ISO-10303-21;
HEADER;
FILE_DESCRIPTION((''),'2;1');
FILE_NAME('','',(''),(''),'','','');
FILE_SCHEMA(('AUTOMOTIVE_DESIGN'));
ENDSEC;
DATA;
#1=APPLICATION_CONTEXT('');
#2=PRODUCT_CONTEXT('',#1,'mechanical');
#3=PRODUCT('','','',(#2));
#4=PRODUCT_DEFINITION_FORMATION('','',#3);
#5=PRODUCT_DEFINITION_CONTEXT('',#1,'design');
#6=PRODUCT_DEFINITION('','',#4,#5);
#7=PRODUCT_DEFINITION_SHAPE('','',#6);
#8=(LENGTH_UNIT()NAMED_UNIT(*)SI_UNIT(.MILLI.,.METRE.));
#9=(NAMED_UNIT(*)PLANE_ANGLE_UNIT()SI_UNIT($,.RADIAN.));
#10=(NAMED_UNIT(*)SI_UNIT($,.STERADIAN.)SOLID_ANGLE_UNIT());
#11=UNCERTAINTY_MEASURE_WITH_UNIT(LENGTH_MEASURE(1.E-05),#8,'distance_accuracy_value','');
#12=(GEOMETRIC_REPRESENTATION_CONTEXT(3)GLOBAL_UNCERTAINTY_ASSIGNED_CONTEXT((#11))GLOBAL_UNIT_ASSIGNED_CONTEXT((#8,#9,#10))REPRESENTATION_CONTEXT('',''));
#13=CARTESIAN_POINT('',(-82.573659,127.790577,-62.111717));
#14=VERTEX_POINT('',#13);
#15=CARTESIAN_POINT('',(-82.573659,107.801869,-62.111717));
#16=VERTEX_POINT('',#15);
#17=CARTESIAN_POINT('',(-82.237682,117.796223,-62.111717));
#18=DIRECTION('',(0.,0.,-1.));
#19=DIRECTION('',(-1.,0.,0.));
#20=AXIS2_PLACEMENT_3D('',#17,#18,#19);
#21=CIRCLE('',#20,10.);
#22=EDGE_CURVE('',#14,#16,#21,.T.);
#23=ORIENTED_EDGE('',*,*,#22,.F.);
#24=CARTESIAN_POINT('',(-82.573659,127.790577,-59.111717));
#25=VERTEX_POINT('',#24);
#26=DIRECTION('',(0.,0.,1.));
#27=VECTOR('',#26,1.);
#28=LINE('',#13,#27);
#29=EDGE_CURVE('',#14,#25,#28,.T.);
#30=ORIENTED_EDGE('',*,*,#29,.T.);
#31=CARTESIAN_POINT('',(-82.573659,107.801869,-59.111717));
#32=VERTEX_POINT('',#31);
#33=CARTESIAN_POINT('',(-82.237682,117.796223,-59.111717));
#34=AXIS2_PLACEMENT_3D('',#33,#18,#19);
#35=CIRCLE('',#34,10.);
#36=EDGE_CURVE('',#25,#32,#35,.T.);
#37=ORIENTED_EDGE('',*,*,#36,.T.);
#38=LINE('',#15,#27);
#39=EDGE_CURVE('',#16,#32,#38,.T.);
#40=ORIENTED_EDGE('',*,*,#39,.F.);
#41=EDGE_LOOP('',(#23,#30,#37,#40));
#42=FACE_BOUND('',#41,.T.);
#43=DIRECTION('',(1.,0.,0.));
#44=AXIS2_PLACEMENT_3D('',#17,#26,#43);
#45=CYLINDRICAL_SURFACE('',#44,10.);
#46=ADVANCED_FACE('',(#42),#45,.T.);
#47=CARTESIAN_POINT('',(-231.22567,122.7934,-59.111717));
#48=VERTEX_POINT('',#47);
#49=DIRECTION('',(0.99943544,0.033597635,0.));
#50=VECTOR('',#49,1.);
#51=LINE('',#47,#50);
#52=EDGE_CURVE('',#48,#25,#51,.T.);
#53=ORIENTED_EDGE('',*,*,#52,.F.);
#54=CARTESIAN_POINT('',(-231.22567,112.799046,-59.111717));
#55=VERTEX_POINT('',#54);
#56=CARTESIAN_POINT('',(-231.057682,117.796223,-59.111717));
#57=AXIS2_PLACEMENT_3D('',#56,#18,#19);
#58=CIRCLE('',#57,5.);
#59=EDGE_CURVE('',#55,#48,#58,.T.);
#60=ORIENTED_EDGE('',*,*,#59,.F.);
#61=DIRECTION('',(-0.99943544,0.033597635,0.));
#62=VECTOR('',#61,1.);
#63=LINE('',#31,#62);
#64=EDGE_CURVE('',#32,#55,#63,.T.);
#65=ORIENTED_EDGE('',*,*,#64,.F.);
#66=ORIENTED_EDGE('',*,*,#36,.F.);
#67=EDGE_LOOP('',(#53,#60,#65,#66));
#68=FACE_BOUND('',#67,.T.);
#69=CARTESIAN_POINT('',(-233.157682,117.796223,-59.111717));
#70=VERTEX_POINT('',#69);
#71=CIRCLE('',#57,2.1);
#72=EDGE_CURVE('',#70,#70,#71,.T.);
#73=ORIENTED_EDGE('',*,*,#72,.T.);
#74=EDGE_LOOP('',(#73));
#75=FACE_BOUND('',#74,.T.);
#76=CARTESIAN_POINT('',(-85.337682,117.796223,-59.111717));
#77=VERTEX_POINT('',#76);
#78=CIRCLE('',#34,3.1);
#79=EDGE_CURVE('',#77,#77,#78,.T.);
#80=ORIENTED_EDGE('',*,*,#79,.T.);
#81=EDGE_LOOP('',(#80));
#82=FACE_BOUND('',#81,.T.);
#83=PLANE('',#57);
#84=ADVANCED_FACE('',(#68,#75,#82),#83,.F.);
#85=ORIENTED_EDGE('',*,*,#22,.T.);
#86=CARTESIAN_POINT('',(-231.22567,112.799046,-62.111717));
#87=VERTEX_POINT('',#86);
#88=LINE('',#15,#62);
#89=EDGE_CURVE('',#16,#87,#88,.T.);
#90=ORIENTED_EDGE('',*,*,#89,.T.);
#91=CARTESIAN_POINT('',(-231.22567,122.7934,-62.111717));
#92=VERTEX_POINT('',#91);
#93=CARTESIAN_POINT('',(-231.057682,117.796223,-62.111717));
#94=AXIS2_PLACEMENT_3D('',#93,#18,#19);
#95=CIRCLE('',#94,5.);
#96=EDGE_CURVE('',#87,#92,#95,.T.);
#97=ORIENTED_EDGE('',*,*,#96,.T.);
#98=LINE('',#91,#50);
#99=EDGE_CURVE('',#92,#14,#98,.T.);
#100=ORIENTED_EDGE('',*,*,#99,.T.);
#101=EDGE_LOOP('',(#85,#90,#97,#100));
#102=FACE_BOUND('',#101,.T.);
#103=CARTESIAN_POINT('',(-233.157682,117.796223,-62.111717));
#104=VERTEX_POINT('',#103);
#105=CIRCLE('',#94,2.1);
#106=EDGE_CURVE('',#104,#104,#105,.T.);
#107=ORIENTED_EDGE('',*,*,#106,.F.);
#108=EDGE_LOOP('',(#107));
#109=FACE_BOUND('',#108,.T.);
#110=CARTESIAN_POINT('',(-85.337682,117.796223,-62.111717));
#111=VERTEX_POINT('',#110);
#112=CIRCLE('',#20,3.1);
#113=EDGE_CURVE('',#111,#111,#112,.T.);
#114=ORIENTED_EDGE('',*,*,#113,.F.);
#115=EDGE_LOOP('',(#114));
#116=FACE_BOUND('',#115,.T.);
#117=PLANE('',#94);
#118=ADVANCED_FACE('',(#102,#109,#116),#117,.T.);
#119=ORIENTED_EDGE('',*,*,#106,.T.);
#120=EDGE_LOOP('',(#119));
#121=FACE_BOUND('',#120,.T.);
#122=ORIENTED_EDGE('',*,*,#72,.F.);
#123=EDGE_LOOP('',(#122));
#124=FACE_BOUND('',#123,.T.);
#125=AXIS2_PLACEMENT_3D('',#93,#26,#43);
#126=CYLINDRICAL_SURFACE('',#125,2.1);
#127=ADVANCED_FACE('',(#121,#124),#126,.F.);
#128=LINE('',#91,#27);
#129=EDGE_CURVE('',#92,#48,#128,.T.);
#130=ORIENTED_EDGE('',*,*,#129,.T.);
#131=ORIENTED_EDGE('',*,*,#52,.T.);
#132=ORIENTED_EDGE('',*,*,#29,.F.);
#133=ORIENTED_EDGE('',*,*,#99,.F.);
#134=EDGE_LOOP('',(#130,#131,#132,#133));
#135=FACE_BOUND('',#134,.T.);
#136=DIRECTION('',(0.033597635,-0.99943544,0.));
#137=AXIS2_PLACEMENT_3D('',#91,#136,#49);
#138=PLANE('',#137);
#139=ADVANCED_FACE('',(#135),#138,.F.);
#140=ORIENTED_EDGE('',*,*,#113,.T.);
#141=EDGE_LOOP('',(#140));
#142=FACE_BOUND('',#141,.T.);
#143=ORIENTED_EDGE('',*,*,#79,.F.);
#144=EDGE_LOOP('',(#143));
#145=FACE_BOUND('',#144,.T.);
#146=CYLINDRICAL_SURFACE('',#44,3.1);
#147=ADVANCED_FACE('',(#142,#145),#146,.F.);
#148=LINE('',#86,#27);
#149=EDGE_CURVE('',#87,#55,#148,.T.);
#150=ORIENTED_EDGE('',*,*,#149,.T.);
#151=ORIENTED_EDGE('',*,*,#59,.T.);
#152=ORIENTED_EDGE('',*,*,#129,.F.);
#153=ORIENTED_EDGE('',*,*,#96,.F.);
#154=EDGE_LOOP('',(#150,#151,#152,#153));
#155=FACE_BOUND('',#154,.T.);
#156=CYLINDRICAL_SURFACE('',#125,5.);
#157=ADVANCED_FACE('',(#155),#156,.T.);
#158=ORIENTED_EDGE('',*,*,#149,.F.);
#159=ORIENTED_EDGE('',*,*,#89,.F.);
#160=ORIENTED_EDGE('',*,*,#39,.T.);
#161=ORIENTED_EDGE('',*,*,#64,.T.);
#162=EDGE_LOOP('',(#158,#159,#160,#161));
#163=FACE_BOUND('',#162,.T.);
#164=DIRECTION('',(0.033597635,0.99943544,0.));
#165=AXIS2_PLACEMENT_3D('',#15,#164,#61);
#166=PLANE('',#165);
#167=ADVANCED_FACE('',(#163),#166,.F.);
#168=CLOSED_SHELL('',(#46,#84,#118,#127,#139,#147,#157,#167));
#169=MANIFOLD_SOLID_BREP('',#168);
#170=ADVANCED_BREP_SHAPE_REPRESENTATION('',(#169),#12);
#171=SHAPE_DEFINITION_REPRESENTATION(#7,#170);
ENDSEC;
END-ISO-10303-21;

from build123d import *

# Parameters (mm, degrees)
SKETCH_1_R      = 3.1
SKETCH_1_R_2    = 2.1
EXTRUDE_1_DEPTH = 3


with BuildPart() as part:
    # 草图1 → 凸台-拉伸1 (new body)
    with BuildSketch(Plane(origin=(0, 0, -59.111716595), x_dir=(-1, 0, 0), z_dir=(0, 0, -1))):
        with BuildLine():
            Line((231.225670337, 122.793400157), (82.573658511, 127.790577357))
            ThreePointArc((82.573658511, 127.790577357), (72.237682163, 117.796222956), (82.573658511, 107.801868555))
            Line((82.573658511, 107.801868555), (231.225670337, 112.799045756))
            ThreePointArc((231.225670337, 112.799045756), (236.057682163, 117.796222956), (231.225670337, 122.793400157))
        make_face()
        with Locations((82.237682163, 117.796222956)):
            Circle(SKETCH_1_R, mode=Mode.SUBTRACT)
        with Locations((231.057682163, 117.796222956)):
            Circle(SKETCH_1_R_2, mode=Mode.SUBTRACT)
    extrude(amount=EXTRUDE_1_DEPTH)


solid = part.part
